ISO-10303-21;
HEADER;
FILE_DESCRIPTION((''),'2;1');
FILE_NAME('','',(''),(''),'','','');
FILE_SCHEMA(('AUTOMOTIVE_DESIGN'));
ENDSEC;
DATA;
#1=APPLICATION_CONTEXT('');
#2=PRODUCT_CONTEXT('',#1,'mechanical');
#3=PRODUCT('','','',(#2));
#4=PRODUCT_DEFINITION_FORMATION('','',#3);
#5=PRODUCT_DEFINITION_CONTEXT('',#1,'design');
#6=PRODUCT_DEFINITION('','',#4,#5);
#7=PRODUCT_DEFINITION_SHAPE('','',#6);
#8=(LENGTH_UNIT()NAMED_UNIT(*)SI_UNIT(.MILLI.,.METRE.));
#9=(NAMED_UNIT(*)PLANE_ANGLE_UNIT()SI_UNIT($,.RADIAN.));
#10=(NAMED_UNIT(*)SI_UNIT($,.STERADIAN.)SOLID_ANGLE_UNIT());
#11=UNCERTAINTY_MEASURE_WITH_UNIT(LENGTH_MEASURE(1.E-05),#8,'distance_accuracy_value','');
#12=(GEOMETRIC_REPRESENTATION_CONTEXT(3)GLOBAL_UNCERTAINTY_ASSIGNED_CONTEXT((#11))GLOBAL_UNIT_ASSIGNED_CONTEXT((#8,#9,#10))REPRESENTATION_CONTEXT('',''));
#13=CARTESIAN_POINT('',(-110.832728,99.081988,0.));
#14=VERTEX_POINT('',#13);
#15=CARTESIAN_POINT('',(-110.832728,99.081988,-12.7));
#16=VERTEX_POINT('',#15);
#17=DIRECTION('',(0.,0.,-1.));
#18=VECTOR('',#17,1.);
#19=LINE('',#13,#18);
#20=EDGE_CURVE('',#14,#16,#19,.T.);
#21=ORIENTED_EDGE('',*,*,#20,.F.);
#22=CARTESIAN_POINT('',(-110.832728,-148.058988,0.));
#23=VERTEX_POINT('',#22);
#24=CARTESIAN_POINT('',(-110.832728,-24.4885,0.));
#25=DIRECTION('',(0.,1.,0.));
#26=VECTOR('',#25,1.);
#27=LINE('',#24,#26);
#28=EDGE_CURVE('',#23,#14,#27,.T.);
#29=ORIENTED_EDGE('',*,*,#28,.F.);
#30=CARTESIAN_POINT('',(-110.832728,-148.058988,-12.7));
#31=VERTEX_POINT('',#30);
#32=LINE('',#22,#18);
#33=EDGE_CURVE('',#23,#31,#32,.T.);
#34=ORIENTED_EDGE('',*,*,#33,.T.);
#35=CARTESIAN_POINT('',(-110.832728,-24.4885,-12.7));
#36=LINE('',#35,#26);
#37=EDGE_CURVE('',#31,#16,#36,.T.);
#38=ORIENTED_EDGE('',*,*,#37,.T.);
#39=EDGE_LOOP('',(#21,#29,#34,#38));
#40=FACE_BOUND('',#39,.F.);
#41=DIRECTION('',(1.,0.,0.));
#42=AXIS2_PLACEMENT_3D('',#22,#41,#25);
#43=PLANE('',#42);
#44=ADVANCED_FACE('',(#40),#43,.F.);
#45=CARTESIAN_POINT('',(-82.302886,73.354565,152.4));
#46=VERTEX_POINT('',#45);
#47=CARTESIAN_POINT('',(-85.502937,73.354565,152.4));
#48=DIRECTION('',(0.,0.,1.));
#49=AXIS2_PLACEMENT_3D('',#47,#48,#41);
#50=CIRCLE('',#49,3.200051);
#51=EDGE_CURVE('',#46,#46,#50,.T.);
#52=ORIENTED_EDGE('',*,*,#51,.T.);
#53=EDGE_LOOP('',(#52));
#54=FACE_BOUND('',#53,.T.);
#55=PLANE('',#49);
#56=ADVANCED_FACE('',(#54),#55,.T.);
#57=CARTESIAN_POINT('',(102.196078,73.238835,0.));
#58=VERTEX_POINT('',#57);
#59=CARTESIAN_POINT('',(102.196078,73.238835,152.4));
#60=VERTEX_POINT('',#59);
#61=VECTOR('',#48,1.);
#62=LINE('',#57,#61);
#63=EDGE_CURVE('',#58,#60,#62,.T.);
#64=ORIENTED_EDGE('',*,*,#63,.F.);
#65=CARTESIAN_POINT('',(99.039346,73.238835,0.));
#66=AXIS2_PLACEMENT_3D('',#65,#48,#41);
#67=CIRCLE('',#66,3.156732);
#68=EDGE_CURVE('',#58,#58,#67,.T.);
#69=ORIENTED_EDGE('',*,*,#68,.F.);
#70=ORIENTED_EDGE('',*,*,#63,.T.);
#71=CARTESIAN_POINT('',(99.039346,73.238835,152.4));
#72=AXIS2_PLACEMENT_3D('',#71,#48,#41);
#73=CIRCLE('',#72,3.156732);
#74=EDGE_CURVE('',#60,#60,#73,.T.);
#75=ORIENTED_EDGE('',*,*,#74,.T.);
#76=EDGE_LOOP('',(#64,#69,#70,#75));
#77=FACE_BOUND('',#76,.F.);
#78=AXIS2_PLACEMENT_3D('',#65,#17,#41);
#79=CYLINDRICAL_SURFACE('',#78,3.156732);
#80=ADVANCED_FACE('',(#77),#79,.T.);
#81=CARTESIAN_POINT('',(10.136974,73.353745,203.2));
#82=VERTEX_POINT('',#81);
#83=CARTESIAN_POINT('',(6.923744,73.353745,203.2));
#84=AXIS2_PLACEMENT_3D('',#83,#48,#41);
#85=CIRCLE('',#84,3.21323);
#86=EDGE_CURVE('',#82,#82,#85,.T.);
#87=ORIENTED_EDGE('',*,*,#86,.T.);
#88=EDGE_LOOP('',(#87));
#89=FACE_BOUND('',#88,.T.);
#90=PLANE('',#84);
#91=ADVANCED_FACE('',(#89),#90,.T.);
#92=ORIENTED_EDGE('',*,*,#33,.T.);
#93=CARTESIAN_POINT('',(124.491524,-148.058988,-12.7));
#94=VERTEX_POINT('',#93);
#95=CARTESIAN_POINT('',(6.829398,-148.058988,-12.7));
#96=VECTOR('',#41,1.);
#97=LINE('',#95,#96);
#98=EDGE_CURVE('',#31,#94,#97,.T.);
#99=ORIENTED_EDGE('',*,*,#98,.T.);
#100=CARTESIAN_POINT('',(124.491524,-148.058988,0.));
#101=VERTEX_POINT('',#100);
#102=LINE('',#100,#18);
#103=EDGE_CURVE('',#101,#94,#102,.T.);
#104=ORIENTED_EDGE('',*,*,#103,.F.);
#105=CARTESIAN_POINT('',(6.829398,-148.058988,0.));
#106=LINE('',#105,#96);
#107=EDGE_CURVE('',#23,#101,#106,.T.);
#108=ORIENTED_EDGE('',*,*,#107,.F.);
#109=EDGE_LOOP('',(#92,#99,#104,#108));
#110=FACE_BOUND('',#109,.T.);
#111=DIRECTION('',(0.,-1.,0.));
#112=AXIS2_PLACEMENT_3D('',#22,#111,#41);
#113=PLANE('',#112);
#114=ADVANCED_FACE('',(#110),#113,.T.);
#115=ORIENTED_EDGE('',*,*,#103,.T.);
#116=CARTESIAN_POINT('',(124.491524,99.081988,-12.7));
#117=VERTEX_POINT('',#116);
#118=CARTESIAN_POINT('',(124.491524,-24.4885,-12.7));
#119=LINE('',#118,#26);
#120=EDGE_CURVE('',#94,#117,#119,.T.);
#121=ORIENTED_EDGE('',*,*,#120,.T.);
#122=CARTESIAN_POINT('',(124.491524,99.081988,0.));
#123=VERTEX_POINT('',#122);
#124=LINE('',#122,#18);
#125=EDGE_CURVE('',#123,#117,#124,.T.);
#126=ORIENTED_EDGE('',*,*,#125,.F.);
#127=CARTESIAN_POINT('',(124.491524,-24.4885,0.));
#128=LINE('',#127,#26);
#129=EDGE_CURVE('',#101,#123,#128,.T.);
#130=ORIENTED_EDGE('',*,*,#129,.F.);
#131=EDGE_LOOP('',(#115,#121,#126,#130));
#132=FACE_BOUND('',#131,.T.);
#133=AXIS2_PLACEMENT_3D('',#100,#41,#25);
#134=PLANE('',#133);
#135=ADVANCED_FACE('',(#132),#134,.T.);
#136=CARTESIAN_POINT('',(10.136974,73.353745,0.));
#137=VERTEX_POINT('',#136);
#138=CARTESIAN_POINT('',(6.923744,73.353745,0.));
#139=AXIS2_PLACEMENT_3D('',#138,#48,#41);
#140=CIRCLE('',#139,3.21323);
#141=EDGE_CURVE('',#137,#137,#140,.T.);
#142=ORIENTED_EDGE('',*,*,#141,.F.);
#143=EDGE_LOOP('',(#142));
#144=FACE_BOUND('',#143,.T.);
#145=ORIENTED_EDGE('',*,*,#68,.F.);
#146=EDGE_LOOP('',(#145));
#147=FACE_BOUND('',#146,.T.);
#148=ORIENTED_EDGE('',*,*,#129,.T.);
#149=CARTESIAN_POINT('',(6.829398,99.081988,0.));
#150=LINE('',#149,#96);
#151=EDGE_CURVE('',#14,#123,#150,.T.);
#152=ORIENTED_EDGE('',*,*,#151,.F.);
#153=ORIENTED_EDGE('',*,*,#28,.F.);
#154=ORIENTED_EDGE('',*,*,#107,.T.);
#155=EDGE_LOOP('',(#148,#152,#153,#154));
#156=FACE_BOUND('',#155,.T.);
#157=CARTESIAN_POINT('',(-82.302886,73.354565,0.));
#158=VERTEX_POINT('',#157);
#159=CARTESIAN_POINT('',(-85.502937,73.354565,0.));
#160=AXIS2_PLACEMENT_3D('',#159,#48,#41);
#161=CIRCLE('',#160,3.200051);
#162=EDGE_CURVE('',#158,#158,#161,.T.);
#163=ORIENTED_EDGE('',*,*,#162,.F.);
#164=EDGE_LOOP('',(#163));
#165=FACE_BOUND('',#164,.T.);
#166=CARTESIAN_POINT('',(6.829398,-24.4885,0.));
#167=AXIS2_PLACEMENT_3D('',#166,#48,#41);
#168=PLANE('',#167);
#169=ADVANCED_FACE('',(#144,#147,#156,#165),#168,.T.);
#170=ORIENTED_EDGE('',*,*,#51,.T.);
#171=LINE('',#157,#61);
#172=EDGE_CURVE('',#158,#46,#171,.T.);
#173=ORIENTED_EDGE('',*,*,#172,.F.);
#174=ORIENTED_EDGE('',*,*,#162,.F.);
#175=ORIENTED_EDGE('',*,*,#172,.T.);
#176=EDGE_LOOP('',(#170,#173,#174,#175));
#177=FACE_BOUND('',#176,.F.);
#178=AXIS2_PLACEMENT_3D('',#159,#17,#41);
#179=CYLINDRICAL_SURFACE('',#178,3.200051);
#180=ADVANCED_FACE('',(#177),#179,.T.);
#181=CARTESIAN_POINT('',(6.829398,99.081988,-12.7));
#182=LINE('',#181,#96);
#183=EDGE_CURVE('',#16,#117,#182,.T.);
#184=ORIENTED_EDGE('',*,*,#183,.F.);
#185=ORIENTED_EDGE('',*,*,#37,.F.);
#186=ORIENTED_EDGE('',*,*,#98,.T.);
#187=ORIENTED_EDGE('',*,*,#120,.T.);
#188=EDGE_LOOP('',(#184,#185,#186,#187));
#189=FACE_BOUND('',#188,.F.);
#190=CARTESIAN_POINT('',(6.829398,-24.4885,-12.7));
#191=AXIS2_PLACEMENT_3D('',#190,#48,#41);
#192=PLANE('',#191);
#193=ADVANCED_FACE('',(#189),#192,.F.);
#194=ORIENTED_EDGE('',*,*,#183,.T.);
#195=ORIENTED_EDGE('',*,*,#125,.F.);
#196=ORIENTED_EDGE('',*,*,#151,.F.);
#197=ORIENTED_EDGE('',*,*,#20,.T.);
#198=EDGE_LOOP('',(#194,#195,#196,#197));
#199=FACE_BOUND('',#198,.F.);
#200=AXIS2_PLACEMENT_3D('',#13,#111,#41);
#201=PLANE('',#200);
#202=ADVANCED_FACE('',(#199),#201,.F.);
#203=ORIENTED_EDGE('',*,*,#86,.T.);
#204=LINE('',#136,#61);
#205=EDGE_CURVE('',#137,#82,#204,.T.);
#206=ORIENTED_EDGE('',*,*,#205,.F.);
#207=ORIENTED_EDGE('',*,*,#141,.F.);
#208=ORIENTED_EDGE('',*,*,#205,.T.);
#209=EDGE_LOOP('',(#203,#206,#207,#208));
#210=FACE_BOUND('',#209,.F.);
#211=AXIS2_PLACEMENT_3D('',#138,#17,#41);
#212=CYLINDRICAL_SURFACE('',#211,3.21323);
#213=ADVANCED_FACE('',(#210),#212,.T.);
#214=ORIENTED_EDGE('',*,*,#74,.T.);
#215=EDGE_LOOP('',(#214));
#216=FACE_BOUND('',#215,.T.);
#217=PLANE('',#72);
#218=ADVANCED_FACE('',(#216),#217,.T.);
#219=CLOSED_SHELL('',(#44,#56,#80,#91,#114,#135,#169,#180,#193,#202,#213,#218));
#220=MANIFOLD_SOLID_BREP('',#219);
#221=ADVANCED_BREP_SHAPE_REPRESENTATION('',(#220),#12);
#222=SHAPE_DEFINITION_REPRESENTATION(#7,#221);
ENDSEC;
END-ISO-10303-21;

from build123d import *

# Parameters (mm, degrees)
F0_W     = 235.324252
F0_H     = 247.140977
F1_DEPTH = 12.7
F2_R     = 3.200051
F3_DEPTH = 152.4
F4_R     = 3.156732
F5_DEPTH = 152.4
F6_R     = 3.21323
F7_DEPTH = 203.2


with BuildPart() as f1:
    # F0 (on Top) → F1 (new body)
    with BuildSketch(Plane.XY):
        with Locations((6.829398, -24.4885)):
            Rectangle(F0_W, F0_H)
    extrude(amount=-F1_DEPTH)

    # F2 (on face) → F3 (join)
    with BuildSketch(Plane.XY):
        with Locations((-85.502937, 73.354565)):
            Circle(F2_R)
    extrude(amount=F3_DEPTH)

    # F4 (on face) → F5 (join)
    with BuildSketch(Plane.XY):
        with Locations((99.039346, 73.238835)):
            Circle(F4_R)
    extrude(amount=F5_DEPTH)

    # F6 (on face) → F7 (join)
    with BuildSketch(Plane.XY):
        with Locations((6.923744, 73.353745)):
            Circle(F6_R)
    extrude(amount=F7_DEPTH)


solid = f1.part
